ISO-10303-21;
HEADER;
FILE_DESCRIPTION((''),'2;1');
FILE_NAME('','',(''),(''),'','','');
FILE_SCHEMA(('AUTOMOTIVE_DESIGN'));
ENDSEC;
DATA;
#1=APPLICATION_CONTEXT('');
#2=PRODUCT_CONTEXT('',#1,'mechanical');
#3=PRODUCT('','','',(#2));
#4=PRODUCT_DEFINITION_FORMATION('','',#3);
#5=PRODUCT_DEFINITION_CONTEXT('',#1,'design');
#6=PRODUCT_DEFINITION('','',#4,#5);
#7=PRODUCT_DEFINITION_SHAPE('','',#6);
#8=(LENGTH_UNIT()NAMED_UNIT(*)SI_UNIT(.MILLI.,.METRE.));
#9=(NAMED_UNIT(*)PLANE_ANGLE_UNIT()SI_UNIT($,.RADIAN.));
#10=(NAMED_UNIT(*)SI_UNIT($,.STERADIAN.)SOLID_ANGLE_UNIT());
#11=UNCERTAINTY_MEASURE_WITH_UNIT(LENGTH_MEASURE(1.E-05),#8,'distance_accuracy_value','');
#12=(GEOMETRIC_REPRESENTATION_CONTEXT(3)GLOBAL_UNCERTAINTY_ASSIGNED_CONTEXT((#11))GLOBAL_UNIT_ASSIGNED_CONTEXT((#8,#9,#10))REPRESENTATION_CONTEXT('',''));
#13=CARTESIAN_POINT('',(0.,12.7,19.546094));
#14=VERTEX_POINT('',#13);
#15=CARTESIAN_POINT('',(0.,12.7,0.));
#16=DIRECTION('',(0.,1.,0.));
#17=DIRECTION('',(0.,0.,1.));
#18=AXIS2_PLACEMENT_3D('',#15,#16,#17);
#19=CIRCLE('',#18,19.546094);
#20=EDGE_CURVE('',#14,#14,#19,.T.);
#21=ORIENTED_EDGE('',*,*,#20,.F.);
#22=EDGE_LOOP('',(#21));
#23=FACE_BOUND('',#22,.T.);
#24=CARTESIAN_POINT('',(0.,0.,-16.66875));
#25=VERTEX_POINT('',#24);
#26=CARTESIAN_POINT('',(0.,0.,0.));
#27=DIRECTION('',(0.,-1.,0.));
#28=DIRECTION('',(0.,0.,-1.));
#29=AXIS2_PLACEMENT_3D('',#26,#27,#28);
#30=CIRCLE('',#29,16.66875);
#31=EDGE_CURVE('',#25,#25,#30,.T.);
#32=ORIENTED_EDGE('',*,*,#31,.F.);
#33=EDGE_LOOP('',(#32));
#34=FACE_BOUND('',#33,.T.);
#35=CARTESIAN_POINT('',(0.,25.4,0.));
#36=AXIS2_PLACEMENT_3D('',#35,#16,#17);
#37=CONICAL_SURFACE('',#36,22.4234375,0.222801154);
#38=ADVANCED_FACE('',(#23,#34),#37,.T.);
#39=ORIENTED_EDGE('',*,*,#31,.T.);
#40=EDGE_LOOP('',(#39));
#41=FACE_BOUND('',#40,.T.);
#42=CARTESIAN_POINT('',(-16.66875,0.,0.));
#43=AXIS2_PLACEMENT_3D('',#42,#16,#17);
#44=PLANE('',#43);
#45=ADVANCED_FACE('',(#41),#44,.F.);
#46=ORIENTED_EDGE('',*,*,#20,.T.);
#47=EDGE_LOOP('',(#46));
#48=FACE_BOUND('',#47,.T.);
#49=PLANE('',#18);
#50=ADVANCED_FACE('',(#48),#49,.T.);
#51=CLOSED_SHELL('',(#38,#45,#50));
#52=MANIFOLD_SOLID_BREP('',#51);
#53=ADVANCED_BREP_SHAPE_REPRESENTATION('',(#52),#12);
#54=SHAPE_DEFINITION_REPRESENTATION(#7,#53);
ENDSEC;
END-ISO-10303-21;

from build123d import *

# Parameters (mm, degrees)
SKETCH3_R          = 25.4
CUT_EXTRUDE1_DEPTH = 12.7


with BuildPart() as part:
    # Sketch2 → Revolve1 (revolve)
    with BuildSketch(Plane.XY):
        Polygon((0, 0), (0, 25.4), (-22.4234375, 25.4), (-16.66875, 0), align=None)
    revolve(axis=Axis((0, 0, 0), (0, 1, 0)))

    # Sketch3 → Cut-Extrude1 (cut)
    with BuildSketch(Plane(origin=(0, 25.4, 0), x_dir=(1, 0, 0), z_dir=(0, 1, 0))):
        Circle(SKETCH3_R)
    extrude(amount=-CUT_EXTRUDE1_DEPTH, mode=Mode.SUBTRACT)


solid = part.part
